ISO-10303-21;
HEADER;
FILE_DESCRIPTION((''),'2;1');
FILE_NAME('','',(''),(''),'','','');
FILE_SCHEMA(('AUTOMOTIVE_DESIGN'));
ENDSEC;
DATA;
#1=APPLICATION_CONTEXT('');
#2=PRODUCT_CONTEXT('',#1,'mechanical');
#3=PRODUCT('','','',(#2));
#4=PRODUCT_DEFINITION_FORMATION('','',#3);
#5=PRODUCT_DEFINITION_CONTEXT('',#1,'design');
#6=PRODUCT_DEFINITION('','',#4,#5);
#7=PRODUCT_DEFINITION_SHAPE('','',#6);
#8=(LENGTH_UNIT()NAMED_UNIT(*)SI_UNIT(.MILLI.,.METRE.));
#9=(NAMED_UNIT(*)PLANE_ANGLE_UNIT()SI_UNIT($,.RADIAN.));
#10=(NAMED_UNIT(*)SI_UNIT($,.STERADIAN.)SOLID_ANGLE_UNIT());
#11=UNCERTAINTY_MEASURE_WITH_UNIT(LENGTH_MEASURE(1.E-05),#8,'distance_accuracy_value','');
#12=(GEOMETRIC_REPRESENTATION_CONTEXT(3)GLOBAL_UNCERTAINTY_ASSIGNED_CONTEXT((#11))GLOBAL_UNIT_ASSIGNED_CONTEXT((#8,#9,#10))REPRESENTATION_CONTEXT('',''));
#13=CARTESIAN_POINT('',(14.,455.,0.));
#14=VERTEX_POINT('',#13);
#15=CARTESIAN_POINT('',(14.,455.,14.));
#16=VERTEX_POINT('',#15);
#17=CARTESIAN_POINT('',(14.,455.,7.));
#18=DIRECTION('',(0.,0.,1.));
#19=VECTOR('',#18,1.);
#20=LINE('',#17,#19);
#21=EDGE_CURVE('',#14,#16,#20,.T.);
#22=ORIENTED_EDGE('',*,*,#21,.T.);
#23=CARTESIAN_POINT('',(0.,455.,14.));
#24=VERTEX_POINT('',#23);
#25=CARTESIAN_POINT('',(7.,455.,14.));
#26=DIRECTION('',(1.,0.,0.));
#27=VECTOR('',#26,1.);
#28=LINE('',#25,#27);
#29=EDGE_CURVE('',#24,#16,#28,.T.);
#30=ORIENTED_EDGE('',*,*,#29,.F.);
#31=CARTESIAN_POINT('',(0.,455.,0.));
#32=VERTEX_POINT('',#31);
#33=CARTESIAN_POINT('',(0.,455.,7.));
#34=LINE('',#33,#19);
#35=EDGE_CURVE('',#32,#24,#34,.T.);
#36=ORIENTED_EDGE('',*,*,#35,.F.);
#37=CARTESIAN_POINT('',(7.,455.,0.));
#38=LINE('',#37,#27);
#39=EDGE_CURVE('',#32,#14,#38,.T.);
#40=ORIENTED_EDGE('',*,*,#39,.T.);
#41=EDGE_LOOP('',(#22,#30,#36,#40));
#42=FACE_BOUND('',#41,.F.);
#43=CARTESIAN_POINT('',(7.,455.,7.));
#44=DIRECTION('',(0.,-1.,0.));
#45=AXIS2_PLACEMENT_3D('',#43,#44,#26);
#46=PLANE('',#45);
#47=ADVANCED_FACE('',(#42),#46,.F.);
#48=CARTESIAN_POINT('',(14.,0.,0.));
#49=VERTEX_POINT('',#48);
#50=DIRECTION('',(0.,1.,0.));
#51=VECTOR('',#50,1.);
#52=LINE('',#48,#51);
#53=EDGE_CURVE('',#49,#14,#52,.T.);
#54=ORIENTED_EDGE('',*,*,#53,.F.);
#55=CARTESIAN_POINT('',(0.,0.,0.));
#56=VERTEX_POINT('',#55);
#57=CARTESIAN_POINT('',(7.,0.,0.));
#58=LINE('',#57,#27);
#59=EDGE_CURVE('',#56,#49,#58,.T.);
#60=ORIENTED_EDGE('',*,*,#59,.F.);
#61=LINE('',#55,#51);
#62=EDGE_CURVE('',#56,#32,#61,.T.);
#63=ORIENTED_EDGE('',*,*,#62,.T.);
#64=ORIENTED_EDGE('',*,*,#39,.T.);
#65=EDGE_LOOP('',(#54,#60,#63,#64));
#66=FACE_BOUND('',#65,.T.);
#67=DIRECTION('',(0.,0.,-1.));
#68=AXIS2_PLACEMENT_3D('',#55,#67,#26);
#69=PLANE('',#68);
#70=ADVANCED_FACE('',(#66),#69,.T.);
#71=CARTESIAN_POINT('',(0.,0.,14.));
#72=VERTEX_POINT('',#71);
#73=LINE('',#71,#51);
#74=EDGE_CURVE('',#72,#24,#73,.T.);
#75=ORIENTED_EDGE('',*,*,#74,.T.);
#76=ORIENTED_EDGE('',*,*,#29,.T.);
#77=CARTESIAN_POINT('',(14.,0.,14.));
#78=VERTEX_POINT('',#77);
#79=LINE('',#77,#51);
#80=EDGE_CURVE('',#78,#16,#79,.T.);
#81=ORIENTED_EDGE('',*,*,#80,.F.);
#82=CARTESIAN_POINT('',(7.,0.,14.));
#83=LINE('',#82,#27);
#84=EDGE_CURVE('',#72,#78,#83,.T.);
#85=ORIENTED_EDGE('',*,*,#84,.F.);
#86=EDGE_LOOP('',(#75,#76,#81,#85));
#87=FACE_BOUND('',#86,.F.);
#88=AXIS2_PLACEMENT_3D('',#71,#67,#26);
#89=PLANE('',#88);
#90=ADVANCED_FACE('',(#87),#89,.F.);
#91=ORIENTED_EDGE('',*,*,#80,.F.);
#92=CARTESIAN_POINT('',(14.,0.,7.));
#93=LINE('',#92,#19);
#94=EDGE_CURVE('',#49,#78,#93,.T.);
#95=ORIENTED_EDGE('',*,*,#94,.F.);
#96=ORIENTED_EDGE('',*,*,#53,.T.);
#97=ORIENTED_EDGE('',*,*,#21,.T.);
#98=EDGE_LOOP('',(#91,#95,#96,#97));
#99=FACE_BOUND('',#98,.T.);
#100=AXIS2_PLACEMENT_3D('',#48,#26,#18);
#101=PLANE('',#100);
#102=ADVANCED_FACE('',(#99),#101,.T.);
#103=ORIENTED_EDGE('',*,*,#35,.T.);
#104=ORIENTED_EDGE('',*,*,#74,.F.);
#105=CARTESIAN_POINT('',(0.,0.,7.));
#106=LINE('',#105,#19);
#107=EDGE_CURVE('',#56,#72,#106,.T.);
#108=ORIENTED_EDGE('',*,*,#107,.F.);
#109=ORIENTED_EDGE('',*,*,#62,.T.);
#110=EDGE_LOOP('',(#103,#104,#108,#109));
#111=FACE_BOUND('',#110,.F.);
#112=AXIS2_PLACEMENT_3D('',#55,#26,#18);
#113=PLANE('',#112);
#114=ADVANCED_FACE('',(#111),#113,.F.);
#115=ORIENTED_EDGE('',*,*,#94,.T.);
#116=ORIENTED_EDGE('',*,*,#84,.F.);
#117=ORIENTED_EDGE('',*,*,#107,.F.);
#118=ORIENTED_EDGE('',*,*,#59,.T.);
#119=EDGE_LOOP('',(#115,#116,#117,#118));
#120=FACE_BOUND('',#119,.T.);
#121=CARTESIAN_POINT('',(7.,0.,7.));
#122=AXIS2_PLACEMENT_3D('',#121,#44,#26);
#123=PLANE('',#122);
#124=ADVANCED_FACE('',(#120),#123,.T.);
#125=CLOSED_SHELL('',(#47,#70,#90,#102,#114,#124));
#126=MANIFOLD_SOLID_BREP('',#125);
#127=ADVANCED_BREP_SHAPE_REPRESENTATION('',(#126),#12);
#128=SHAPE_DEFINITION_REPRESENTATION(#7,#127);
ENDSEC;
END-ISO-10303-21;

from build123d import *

# Parameters (mm, degrees)
SKETCH_W  = 14
SKETCH_H  = 14
PAD_DEPTH = 455


with BuildPart() as part:
    # Sketch → Pad (new body)
    with BuildSketch(Plane.XZ):
        with Locations((7, 7)):
            Rectangle(SKETCH_W, SKETCH_H)
    extrude(amount=-PAD_DEPTH)


solid = part.part
